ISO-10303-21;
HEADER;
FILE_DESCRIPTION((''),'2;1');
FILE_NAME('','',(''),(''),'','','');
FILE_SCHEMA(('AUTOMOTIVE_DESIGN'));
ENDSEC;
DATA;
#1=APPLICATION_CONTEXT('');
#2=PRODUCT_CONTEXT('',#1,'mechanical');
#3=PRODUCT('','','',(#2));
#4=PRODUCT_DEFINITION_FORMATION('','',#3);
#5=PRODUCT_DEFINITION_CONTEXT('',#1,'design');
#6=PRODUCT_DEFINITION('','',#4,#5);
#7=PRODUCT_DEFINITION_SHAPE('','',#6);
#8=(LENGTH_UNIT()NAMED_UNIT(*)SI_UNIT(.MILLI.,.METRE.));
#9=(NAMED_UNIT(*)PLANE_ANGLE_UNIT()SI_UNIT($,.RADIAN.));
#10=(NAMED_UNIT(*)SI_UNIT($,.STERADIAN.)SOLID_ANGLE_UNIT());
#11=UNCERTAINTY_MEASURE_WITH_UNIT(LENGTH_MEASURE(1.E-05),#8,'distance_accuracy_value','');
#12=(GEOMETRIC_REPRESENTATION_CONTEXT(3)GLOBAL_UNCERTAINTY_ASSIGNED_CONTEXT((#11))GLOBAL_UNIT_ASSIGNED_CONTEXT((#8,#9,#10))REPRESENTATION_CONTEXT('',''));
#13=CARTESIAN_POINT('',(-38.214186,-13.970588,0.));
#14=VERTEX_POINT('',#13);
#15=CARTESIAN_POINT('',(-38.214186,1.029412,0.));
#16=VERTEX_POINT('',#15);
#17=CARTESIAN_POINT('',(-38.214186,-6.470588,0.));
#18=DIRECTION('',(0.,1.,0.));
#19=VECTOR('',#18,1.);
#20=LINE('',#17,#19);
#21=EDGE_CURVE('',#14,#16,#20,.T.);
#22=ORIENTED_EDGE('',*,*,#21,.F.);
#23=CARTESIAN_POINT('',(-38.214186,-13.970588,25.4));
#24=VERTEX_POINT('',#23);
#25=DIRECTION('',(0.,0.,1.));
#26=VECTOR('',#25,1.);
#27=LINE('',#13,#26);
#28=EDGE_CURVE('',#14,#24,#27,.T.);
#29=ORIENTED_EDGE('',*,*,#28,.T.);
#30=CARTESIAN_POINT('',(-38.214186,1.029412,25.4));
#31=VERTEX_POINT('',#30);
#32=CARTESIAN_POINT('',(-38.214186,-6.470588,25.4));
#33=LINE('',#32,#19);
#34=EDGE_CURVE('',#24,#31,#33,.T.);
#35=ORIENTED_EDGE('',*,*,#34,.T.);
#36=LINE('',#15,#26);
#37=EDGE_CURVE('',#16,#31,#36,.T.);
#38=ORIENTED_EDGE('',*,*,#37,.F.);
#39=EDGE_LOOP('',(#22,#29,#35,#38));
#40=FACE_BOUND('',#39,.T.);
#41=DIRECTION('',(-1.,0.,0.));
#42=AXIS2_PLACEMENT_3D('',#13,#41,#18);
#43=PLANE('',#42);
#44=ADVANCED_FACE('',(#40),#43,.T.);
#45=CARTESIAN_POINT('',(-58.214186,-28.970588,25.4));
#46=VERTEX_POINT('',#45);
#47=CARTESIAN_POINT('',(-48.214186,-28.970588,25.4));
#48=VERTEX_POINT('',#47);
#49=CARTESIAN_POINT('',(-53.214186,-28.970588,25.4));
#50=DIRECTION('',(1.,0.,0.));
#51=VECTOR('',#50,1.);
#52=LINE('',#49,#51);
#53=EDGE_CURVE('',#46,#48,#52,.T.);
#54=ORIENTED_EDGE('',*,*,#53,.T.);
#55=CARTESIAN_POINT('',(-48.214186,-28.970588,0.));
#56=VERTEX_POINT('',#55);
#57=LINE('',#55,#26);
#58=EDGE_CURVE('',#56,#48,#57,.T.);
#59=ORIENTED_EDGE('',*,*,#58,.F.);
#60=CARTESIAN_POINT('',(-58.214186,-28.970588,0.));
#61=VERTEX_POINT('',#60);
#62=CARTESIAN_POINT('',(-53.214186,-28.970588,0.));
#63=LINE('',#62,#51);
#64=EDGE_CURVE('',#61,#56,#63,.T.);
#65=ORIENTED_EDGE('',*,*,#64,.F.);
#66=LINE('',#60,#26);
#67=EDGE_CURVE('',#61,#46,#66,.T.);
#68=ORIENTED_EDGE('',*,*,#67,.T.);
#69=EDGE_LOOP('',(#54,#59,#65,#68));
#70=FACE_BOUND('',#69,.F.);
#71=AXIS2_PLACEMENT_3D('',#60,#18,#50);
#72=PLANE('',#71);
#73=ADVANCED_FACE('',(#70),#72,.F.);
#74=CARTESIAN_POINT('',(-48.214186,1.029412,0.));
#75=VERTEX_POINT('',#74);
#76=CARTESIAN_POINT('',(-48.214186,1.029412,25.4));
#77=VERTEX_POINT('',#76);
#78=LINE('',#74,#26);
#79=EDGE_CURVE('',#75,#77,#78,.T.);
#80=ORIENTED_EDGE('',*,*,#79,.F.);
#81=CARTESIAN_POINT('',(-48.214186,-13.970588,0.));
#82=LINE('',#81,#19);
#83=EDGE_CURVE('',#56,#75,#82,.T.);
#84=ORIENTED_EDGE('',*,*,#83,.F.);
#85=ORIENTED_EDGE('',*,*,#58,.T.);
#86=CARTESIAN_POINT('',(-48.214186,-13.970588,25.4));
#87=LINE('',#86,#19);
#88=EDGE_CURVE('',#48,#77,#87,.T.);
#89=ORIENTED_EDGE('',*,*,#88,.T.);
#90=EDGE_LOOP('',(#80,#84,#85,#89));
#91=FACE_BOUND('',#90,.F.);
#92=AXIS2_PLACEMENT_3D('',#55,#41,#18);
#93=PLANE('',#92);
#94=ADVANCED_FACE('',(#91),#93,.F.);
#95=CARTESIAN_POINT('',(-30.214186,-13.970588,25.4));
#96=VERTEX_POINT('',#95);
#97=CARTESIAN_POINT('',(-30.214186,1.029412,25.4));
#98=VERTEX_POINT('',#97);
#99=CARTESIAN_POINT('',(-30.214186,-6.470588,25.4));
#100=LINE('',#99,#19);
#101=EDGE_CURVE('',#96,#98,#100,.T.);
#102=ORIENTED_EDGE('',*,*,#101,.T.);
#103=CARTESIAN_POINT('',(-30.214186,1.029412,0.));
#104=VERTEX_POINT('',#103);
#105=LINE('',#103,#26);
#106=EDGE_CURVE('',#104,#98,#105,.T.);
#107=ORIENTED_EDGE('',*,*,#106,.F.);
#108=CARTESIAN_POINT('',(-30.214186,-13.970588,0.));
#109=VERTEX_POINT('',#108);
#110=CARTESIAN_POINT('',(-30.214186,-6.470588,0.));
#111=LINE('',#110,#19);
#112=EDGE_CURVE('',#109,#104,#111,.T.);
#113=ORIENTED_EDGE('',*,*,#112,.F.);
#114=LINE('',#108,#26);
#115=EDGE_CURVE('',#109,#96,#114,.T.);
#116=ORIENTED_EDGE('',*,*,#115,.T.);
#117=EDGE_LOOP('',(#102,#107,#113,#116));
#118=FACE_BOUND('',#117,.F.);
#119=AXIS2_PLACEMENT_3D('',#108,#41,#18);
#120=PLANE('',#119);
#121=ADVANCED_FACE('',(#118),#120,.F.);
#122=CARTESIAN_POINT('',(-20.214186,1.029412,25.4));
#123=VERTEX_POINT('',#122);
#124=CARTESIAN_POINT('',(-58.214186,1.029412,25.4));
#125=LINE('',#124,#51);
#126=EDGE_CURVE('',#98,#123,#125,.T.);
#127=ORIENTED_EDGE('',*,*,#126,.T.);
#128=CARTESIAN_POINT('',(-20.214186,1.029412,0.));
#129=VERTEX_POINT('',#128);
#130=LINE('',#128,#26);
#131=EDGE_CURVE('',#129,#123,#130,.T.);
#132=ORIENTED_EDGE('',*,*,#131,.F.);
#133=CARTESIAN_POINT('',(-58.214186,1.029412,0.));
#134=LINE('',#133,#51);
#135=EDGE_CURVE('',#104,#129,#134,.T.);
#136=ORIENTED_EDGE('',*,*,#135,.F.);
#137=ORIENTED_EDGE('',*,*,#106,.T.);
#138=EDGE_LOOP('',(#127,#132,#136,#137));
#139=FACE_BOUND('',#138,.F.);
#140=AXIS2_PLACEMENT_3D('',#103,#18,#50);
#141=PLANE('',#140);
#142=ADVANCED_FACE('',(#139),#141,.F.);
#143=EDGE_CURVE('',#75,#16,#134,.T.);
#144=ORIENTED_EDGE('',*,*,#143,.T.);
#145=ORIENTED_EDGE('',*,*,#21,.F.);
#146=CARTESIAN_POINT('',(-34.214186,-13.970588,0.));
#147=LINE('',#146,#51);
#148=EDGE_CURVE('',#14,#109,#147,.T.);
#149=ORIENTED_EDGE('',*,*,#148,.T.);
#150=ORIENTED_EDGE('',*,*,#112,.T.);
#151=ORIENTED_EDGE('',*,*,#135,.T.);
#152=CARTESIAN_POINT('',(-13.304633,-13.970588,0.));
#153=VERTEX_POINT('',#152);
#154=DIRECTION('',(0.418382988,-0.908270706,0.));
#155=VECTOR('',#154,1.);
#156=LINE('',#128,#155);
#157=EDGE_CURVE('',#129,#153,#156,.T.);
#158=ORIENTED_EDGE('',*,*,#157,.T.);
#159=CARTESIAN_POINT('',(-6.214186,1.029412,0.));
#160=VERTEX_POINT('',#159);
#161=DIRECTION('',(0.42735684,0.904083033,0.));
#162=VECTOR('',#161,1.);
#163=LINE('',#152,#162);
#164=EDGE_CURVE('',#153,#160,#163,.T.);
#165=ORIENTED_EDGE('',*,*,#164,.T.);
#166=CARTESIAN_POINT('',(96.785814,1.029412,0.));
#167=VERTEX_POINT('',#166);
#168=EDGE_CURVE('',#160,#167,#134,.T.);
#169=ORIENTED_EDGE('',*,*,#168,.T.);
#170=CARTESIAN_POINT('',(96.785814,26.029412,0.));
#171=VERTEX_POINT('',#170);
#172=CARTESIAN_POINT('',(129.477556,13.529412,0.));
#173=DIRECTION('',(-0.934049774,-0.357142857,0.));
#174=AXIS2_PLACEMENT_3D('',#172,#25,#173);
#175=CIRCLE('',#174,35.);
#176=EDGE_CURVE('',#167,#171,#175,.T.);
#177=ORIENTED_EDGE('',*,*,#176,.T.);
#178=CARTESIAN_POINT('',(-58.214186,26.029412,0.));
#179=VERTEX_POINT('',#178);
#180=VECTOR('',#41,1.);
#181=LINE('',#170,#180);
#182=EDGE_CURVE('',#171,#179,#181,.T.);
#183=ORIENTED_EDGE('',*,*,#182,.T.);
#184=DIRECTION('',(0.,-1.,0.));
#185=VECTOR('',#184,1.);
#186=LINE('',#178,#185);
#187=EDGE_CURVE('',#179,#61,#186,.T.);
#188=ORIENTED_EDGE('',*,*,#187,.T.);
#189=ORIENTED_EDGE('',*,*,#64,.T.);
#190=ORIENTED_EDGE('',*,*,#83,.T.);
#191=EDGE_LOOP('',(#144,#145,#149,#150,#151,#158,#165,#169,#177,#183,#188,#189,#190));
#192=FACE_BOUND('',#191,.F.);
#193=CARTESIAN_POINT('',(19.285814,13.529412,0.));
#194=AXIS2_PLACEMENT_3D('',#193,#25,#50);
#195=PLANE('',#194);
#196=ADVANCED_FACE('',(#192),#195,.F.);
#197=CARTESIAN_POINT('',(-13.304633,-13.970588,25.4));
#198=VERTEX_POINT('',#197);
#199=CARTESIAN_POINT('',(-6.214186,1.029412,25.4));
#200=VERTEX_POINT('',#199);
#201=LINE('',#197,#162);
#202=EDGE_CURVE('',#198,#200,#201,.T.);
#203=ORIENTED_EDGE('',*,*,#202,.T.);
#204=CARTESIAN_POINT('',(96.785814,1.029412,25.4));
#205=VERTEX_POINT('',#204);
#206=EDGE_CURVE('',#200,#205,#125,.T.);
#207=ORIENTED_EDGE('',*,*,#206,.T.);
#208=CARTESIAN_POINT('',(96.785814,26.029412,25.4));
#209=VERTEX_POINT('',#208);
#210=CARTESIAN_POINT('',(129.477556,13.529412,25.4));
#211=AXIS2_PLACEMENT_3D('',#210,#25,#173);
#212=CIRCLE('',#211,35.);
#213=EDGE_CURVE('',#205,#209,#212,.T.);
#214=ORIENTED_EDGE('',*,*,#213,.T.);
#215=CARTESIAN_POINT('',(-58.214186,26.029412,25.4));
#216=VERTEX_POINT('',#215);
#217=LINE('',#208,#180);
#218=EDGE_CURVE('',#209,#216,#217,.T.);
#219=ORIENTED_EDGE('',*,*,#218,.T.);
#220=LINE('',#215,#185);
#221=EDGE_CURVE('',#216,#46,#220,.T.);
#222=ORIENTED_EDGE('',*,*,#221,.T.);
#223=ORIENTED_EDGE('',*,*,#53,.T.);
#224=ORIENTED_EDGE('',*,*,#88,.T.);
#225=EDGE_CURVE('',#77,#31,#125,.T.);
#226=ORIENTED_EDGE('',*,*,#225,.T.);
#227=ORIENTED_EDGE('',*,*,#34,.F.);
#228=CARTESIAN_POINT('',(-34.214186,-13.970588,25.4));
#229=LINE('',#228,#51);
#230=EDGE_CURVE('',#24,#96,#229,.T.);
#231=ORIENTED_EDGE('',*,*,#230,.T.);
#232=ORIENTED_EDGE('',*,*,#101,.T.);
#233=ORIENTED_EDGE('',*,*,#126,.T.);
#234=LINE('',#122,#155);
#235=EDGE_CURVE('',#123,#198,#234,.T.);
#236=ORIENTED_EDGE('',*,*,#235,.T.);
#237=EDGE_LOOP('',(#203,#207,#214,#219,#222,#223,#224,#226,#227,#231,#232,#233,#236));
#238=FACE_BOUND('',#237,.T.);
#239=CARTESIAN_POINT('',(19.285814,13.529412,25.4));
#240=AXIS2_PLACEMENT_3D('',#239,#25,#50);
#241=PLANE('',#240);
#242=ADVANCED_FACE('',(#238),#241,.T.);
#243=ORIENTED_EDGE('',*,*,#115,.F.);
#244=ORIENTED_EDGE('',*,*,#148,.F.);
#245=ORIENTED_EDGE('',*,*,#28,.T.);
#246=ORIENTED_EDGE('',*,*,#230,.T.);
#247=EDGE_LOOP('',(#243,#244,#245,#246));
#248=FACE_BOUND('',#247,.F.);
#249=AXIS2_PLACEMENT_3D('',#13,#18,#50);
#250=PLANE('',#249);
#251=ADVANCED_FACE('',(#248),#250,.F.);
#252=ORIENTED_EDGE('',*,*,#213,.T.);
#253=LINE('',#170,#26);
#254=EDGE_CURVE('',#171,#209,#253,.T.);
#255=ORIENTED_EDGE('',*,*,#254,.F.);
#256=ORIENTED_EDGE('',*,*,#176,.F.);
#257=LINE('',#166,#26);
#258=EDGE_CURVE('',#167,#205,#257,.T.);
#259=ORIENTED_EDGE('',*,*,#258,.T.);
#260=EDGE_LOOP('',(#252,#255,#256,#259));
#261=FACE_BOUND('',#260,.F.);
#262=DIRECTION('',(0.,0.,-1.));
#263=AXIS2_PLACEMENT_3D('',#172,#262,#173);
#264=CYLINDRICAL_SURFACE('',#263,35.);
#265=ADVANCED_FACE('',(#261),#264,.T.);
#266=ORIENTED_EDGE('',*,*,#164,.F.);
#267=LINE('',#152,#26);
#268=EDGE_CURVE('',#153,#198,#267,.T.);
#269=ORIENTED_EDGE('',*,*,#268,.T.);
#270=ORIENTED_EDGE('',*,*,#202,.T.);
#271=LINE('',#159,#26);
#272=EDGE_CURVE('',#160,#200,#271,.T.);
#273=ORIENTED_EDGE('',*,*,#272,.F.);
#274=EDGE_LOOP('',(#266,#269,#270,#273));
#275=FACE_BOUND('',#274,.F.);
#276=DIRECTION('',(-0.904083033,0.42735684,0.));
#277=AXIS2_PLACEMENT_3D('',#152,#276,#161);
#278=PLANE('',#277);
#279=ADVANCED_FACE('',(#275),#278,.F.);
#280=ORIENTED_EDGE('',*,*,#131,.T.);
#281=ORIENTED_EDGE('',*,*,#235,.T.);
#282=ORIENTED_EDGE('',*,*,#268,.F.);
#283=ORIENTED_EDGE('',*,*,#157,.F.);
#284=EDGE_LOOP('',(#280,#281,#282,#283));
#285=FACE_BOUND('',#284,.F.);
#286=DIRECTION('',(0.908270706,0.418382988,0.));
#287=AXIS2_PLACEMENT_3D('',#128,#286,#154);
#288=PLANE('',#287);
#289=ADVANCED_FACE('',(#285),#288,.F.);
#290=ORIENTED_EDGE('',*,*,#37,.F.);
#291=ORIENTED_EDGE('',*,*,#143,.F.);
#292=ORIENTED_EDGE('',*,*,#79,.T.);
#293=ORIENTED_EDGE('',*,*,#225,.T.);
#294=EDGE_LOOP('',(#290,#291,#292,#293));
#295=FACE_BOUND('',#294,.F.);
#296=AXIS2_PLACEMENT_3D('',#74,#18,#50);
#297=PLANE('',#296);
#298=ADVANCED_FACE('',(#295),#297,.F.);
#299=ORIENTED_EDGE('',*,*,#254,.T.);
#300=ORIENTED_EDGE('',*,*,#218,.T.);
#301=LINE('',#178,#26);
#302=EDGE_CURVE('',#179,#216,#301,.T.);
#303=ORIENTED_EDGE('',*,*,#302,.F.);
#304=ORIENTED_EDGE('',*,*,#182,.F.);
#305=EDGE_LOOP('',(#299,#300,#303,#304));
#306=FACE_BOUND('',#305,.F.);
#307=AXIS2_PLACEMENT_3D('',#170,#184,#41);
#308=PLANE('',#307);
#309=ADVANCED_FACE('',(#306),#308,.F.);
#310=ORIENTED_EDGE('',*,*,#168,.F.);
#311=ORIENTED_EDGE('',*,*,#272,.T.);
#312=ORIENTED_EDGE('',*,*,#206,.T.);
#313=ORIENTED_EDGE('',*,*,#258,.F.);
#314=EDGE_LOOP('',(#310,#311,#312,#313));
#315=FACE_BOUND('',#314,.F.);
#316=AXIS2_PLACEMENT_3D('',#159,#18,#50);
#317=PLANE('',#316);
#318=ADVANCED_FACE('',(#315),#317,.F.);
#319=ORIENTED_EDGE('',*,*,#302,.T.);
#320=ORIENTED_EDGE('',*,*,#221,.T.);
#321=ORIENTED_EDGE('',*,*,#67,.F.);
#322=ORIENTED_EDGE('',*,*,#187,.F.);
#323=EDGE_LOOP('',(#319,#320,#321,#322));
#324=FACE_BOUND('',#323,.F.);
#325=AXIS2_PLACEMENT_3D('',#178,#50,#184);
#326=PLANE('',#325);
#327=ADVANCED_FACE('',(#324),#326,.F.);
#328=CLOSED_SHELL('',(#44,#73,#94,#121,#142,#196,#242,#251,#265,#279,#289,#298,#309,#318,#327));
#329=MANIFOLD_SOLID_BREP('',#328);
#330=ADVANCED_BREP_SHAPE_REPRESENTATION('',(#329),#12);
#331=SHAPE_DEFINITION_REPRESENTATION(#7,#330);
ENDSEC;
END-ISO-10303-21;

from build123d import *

# Parameters (mm, degrees)
F0_R     = 17.5
F0_W     = 10
F0_H     = 30
F0_W_2   = 8
F0_H_2   = 15
F1_DEPTH = 25.4


with BuildPart() as f1:
    # F0 (on Top) → F1 (new body)
    with BuildSketch(Plane.XY):
        Polygon((96.7858138128, 1.0294117647), (96.7858138128, 26.0294117647), (-58.2141861872, 26.0294117647), (-58.2141861872, 1.0294117647), (-48.2141861872, 1.0294117647), (-38.2141861872, 1.0294117647), (-30.2141861872, 1.0294117647), (-20.2141861872, 1.0294117647), (-6.2141861872, 1.0294117647), align=None)
        with BuildLine():
            ThreePointArc((96.7858138128, 1.0294117647), (164.4775558894, 13.5294117647), (96.7858138128, 26.0294117647))
            Line((96.7858138128, 26.0294117647), (96.7858138128, 1.0294117647))
        make_face()
        with Locations((129.4775558894, 13.5294117647)):
            Circle(F0_R, mode=Mode.SUBTRACT)
        with Locations((129.4775558894, 13.5294117647)):
            Circle(F0_R)
        with Locations((-53.2141861872, -13.9705882353)):
            Rectangle(F0_W, F0_H)
        with Locations((-34.2141861872, -6.4705882353)):
            Rectangle(F0_W_2, F0_H_2)
        Polygon((-13.3046329277, -13.9705882353), (-6.2141861872, 1.0294117647), (-20.2141861872, 1.0294117647), align=None)
    extrude(amount=F1_DEPTH)


solid = f1.part
